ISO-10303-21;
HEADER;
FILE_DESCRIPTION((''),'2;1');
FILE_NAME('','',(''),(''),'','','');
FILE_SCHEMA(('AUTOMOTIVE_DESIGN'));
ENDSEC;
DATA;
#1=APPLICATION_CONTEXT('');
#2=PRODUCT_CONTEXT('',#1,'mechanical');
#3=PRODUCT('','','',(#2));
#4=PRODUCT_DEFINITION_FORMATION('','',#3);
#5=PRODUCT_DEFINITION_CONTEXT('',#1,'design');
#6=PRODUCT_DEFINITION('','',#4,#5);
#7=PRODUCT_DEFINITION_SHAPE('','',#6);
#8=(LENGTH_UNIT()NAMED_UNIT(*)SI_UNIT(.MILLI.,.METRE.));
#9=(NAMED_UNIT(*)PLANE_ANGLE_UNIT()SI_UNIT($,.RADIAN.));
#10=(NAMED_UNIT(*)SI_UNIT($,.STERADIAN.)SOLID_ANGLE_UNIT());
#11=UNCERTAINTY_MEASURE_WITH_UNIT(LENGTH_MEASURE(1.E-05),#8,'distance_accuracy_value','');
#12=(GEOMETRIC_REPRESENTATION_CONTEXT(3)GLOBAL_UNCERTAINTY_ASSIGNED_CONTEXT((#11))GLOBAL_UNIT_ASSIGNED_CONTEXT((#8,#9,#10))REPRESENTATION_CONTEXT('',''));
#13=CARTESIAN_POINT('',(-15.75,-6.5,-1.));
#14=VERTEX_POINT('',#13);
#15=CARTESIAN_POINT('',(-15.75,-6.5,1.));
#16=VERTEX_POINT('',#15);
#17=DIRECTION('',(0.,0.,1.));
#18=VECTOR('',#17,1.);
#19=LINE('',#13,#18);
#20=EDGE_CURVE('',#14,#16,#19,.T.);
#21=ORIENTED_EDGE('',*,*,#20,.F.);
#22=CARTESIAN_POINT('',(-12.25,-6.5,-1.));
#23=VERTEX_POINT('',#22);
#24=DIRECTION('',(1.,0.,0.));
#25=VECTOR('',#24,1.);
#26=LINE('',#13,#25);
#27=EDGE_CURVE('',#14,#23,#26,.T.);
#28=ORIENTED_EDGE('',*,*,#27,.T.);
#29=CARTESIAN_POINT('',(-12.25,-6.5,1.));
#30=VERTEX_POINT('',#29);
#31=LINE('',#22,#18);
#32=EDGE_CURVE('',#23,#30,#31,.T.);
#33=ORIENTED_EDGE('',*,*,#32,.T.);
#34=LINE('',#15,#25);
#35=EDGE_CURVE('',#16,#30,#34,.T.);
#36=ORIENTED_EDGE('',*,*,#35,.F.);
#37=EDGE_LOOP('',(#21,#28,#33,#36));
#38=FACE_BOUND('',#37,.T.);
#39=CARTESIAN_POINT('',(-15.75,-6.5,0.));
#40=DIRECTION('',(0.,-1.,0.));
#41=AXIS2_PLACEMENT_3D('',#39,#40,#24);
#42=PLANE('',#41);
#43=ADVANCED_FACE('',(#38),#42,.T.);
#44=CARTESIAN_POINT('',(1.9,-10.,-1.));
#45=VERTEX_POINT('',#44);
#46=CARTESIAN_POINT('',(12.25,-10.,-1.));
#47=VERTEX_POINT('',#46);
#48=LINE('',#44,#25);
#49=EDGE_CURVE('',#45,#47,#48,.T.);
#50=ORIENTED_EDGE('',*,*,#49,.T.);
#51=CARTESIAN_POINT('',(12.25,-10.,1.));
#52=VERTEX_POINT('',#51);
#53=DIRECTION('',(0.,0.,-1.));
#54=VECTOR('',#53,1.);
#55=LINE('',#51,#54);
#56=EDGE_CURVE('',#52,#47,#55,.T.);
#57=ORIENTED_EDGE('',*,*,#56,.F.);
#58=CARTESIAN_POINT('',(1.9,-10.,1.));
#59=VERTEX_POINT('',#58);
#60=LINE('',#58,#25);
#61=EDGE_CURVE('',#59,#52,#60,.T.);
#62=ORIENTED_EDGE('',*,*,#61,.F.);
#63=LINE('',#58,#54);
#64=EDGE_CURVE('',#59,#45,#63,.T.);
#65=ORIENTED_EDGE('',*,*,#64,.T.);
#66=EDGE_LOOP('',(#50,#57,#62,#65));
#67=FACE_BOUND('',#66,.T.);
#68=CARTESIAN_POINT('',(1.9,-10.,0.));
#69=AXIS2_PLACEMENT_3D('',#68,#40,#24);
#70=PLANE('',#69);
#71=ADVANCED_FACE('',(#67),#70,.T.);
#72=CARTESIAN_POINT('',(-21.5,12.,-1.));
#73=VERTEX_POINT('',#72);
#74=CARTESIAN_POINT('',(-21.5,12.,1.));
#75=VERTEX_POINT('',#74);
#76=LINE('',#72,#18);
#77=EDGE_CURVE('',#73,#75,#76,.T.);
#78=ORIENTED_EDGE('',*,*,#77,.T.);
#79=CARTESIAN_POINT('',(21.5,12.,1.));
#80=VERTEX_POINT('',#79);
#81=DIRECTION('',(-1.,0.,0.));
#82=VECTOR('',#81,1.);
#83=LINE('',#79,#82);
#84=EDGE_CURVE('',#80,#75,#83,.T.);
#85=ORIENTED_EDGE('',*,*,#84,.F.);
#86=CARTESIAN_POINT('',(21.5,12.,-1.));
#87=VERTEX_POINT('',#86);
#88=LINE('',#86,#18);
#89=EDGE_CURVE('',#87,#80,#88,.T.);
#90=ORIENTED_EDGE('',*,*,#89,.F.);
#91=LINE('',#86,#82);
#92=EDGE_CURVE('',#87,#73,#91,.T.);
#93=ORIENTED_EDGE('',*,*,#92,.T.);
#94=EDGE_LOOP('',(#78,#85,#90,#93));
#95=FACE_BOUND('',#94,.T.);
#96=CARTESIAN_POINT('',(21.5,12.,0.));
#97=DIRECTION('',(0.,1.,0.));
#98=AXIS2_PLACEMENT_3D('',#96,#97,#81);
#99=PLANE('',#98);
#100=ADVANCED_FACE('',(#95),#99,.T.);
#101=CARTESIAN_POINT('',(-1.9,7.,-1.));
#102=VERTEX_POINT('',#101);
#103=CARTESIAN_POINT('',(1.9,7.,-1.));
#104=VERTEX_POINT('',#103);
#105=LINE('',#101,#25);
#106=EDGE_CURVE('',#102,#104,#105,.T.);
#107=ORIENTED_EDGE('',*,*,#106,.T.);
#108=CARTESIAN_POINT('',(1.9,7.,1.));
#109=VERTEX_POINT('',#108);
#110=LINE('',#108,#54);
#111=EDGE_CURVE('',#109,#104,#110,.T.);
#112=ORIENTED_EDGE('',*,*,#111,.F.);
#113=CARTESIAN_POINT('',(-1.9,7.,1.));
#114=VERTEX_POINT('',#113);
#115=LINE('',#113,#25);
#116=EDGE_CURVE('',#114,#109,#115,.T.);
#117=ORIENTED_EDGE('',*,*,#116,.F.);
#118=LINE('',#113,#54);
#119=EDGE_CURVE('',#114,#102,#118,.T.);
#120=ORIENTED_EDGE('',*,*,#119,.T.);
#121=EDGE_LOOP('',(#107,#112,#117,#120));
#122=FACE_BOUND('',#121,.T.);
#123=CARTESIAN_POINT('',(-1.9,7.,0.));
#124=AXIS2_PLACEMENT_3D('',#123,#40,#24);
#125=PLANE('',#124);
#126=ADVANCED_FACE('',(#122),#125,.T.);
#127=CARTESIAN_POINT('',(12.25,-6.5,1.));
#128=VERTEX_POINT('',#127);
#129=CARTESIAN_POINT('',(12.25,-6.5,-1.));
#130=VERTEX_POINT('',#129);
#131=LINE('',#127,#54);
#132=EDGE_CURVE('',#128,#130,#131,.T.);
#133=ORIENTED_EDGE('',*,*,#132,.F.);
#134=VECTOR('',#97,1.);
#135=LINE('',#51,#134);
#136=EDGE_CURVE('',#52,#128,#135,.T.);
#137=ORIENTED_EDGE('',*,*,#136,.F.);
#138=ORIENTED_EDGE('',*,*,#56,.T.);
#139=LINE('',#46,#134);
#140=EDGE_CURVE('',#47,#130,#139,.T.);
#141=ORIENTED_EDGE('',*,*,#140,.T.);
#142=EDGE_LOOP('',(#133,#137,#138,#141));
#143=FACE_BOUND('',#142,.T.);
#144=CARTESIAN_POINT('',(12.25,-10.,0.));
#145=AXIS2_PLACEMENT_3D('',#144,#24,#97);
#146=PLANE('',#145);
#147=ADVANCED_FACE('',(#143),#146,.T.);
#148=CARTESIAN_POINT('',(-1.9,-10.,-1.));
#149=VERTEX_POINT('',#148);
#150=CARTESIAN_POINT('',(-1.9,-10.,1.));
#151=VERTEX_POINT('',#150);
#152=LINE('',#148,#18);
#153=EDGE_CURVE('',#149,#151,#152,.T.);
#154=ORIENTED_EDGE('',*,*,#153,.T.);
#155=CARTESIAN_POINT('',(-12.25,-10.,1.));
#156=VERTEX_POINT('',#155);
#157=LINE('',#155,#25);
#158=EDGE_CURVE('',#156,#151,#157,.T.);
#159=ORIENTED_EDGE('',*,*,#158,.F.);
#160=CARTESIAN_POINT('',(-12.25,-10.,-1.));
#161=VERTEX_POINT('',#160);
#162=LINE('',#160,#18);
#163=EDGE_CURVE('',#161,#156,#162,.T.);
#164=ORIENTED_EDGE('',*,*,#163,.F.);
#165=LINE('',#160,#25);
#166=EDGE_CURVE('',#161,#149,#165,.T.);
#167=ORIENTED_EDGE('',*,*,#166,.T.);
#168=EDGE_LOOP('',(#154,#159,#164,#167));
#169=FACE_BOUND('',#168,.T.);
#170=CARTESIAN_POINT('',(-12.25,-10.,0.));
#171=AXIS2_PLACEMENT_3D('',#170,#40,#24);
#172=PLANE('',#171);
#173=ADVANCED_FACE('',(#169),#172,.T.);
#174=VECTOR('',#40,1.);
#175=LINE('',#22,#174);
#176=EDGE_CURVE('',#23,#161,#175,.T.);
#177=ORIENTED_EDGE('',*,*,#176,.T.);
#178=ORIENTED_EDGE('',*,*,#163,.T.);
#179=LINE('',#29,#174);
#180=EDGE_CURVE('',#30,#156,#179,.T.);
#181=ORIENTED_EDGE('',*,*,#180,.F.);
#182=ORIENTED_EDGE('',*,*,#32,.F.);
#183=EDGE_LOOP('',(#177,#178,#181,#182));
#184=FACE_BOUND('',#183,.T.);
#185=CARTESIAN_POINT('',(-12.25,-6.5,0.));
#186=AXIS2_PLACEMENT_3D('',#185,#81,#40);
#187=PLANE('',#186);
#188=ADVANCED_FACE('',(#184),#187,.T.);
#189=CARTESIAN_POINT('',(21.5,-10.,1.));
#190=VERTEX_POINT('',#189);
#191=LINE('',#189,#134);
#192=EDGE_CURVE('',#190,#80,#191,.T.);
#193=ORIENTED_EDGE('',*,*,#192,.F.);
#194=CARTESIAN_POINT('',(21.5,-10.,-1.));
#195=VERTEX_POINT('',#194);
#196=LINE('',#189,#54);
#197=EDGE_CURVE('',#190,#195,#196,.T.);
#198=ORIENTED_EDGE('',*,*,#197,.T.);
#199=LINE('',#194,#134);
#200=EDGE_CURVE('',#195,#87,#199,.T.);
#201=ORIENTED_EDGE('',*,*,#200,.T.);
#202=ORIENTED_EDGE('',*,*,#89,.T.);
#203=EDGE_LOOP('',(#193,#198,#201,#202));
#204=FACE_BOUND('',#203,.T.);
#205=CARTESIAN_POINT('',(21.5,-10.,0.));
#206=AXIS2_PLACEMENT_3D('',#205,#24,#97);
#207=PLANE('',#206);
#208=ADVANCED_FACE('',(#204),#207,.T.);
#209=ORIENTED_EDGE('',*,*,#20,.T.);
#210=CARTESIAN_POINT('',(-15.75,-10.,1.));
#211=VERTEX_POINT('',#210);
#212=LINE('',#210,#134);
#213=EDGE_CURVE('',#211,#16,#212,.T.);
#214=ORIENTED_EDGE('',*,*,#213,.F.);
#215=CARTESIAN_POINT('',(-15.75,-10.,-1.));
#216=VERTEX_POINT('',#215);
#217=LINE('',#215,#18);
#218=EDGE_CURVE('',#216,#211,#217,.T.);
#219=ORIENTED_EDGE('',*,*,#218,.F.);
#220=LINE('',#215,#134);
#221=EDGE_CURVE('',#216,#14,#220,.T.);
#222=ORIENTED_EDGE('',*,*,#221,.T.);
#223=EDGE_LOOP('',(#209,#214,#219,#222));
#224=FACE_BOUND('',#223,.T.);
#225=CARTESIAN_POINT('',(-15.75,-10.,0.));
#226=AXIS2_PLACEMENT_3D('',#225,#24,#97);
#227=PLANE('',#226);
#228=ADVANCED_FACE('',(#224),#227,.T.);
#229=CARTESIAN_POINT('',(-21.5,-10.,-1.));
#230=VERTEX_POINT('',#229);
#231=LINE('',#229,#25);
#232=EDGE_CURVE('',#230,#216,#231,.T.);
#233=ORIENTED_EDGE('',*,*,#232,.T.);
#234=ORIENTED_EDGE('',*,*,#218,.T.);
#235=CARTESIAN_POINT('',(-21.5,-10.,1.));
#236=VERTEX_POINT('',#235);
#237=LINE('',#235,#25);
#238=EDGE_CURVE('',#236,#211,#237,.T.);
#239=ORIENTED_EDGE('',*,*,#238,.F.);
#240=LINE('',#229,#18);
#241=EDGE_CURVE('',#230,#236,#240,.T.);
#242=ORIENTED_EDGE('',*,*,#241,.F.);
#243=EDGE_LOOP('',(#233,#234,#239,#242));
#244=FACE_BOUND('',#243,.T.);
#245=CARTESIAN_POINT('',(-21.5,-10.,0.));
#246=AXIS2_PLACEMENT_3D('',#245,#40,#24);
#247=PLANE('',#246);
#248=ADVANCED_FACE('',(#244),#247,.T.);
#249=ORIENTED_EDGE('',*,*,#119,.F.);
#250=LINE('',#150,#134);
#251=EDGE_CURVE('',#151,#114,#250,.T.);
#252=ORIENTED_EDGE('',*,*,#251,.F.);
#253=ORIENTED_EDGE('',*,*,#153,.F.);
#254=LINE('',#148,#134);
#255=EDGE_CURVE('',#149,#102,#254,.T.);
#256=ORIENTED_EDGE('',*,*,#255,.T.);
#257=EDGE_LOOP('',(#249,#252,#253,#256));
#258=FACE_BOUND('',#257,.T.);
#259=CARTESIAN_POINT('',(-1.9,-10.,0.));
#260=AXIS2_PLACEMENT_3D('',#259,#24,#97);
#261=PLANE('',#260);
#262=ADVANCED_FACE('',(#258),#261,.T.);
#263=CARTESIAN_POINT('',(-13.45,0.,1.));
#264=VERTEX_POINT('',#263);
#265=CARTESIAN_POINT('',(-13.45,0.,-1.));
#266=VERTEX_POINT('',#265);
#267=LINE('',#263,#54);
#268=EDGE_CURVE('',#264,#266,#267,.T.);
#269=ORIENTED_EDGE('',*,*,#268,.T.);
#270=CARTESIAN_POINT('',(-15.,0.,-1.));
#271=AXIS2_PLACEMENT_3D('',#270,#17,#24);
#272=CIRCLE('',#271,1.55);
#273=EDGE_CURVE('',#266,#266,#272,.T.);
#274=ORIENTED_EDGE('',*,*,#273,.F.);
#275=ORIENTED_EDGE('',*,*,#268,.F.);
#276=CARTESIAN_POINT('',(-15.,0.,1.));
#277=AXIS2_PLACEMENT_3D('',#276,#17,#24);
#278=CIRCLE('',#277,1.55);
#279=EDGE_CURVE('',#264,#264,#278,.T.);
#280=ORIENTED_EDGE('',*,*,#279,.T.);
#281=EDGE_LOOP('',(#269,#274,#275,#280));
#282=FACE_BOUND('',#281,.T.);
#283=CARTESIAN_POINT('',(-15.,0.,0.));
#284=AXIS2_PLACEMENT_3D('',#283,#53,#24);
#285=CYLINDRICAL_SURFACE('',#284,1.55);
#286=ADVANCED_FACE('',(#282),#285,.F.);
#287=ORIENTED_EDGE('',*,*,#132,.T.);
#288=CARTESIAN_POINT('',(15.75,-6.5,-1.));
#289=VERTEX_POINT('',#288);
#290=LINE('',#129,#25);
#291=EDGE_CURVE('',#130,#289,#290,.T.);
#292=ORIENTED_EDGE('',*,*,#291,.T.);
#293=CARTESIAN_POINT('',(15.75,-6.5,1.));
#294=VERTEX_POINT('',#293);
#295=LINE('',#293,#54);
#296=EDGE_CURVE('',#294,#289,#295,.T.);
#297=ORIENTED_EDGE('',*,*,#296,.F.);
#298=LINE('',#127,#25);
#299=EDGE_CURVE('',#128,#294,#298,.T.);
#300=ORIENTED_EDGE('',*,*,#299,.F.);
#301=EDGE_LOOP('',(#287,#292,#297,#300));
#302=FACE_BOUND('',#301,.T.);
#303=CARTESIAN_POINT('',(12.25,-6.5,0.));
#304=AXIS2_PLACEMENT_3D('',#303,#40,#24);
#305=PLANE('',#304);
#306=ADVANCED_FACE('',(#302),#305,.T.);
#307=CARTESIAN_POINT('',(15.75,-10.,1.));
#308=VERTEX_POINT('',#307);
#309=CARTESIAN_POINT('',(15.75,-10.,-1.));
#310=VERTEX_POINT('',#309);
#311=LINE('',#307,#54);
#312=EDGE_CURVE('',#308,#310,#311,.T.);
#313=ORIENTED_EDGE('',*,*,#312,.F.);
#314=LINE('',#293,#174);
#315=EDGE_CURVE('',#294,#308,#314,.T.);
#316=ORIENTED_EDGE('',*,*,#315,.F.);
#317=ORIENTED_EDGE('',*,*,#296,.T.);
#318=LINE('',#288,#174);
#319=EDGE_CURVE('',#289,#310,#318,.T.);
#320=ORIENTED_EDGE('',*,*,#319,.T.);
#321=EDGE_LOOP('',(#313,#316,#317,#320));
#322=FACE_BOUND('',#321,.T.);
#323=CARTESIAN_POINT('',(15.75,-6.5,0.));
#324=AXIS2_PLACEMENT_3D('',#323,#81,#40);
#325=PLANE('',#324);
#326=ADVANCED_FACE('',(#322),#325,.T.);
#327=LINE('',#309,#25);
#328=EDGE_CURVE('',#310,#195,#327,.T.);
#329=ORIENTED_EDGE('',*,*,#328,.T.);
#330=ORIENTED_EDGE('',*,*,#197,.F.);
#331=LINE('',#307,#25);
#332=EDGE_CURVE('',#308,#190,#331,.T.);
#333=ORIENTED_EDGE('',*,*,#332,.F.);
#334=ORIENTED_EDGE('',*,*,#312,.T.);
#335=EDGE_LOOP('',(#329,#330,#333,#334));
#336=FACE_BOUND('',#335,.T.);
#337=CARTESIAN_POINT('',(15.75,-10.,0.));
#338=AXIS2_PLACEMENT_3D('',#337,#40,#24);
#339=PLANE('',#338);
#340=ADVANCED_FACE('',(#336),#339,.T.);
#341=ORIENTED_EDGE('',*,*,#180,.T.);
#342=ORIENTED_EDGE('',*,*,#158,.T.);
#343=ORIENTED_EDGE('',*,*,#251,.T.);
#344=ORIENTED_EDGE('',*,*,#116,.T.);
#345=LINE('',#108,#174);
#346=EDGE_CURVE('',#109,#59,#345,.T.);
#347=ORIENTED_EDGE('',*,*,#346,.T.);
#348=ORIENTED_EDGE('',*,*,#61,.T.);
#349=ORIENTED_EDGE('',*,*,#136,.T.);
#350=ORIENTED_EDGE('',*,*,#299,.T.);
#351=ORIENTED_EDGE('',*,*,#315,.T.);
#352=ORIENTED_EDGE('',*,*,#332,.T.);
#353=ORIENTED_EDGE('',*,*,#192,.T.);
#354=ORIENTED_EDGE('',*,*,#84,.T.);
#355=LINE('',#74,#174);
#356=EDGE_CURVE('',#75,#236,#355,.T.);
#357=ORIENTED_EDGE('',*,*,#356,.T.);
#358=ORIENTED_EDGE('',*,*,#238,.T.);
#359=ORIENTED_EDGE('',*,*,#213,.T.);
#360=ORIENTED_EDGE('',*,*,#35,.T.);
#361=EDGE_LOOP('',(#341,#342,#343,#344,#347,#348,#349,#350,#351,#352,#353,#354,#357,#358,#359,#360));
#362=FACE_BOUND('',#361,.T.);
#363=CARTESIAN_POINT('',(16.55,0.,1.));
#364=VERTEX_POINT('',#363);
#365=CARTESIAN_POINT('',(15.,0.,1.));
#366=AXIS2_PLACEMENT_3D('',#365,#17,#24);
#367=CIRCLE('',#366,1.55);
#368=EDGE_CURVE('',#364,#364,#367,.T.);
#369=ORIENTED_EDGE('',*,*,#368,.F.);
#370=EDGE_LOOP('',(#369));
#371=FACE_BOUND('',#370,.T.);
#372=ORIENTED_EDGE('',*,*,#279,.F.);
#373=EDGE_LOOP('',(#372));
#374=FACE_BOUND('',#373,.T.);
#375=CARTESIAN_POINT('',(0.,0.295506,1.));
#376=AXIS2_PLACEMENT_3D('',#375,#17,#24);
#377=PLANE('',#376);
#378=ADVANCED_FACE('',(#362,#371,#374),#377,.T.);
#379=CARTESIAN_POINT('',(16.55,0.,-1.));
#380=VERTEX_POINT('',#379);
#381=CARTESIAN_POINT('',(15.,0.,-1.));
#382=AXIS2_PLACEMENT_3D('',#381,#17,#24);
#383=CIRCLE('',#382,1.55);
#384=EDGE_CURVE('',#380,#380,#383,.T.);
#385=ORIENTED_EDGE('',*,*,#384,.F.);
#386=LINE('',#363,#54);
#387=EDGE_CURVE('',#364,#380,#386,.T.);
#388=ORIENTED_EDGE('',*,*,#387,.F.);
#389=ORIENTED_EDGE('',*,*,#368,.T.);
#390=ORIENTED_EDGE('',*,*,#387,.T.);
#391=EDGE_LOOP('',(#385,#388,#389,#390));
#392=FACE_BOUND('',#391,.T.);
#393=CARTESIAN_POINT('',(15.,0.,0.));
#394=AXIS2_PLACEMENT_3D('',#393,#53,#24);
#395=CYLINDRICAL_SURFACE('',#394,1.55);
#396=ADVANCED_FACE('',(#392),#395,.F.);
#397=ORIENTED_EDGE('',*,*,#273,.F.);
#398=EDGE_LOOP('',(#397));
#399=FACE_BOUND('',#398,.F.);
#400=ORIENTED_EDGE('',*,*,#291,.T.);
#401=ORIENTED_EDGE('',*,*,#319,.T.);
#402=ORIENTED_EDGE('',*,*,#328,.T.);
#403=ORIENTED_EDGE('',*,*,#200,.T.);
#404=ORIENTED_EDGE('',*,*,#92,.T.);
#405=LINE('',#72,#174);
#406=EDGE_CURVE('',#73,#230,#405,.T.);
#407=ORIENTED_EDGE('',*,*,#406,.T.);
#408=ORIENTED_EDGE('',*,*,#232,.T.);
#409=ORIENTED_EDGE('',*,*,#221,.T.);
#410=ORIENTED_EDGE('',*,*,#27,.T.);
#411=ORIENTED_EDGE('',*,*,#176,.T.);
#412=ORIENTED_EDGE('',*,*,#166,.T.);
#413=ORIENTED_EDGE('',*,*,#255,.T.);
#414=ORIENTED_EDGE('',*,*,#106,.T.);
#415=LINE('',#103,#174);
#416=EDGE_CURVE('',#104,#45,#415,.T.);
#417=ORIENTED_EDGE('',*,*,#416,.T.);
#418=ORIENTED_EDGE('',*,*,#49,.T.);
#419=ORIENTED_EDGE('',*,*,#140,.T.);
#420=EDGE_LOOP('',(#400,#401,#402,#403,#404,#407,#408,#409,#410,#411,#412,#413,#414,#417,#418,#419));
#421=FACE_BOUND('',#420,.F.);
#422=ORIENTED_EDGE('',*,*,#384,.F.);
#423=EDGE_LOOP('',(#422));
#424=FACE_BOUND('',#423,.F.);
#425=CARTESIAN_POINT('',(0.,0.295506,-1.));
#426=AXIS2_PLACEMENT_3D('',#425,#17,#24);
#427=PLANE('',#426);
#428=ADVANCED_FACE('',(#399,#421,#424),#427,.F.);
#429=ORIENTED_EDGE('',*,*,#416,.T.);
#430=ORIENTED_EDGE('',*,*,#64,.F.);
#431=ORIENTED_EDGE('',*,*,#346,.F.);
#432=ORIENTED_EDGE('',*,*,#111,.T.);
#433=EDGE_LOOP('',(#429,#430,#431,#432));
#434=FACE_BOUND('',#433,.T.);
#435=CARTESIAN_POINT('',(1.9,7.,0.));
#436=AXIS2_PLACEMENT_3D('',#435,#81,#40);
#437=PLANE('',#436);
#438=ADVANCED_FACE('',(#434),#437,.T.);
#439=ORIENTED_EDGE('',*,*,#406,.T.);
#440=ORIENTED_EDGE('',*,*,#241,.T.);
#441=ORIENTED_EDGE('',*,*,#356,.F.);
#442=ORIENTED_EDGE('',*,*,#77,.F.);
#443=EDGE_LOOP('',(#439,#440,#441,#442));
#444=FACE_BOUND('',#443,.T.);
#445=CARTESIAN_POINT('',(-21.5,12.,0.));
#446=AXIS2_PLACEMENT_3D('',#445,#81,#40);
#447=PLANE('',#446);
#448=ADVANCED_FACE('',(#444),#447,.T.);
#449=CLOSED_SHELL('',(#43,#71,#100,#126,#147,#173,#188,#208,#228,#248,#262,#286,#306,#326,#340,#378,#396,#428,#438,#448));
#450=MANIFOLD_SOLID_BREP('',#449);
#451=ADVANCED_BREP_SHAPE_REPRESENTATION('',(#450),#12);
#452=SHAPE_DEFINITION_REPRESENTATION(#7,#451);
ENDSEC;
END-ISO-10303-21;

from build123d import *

# Parameters (mm, degrees)
SKETCH_R  = 1.55
PAD_DEPTH = 1


with BuildPart() as part:
    # Sketch → Pad (new body, symmetric)
    with BuildSketch(Plane.XY):
        Polygon((21.5, -10), (21.5, 12), (-21.5, 12), (-21.5, -10), (-15.75, -10), (-15.75, -6.5), (-12.25, -6.5), (-12.25, -10), (-1.9, -10), (-1.9, 7), (1.9, 7), (1.9, -10), (12.25, -10), (12.25, -6.5), (15.75, -6.5), (15.75, -10), align=None)
        with Locations((15, 0)):
            Circle(SKETCH_R, mode=Mode.SUBTRACT)
        with Locations((-15, 0)):
            Circle(SKETCH_R, mode=Mode.SUBTRACT)
    extrude(amount=PAD_DEPTH, both=True)


solid = part.part
